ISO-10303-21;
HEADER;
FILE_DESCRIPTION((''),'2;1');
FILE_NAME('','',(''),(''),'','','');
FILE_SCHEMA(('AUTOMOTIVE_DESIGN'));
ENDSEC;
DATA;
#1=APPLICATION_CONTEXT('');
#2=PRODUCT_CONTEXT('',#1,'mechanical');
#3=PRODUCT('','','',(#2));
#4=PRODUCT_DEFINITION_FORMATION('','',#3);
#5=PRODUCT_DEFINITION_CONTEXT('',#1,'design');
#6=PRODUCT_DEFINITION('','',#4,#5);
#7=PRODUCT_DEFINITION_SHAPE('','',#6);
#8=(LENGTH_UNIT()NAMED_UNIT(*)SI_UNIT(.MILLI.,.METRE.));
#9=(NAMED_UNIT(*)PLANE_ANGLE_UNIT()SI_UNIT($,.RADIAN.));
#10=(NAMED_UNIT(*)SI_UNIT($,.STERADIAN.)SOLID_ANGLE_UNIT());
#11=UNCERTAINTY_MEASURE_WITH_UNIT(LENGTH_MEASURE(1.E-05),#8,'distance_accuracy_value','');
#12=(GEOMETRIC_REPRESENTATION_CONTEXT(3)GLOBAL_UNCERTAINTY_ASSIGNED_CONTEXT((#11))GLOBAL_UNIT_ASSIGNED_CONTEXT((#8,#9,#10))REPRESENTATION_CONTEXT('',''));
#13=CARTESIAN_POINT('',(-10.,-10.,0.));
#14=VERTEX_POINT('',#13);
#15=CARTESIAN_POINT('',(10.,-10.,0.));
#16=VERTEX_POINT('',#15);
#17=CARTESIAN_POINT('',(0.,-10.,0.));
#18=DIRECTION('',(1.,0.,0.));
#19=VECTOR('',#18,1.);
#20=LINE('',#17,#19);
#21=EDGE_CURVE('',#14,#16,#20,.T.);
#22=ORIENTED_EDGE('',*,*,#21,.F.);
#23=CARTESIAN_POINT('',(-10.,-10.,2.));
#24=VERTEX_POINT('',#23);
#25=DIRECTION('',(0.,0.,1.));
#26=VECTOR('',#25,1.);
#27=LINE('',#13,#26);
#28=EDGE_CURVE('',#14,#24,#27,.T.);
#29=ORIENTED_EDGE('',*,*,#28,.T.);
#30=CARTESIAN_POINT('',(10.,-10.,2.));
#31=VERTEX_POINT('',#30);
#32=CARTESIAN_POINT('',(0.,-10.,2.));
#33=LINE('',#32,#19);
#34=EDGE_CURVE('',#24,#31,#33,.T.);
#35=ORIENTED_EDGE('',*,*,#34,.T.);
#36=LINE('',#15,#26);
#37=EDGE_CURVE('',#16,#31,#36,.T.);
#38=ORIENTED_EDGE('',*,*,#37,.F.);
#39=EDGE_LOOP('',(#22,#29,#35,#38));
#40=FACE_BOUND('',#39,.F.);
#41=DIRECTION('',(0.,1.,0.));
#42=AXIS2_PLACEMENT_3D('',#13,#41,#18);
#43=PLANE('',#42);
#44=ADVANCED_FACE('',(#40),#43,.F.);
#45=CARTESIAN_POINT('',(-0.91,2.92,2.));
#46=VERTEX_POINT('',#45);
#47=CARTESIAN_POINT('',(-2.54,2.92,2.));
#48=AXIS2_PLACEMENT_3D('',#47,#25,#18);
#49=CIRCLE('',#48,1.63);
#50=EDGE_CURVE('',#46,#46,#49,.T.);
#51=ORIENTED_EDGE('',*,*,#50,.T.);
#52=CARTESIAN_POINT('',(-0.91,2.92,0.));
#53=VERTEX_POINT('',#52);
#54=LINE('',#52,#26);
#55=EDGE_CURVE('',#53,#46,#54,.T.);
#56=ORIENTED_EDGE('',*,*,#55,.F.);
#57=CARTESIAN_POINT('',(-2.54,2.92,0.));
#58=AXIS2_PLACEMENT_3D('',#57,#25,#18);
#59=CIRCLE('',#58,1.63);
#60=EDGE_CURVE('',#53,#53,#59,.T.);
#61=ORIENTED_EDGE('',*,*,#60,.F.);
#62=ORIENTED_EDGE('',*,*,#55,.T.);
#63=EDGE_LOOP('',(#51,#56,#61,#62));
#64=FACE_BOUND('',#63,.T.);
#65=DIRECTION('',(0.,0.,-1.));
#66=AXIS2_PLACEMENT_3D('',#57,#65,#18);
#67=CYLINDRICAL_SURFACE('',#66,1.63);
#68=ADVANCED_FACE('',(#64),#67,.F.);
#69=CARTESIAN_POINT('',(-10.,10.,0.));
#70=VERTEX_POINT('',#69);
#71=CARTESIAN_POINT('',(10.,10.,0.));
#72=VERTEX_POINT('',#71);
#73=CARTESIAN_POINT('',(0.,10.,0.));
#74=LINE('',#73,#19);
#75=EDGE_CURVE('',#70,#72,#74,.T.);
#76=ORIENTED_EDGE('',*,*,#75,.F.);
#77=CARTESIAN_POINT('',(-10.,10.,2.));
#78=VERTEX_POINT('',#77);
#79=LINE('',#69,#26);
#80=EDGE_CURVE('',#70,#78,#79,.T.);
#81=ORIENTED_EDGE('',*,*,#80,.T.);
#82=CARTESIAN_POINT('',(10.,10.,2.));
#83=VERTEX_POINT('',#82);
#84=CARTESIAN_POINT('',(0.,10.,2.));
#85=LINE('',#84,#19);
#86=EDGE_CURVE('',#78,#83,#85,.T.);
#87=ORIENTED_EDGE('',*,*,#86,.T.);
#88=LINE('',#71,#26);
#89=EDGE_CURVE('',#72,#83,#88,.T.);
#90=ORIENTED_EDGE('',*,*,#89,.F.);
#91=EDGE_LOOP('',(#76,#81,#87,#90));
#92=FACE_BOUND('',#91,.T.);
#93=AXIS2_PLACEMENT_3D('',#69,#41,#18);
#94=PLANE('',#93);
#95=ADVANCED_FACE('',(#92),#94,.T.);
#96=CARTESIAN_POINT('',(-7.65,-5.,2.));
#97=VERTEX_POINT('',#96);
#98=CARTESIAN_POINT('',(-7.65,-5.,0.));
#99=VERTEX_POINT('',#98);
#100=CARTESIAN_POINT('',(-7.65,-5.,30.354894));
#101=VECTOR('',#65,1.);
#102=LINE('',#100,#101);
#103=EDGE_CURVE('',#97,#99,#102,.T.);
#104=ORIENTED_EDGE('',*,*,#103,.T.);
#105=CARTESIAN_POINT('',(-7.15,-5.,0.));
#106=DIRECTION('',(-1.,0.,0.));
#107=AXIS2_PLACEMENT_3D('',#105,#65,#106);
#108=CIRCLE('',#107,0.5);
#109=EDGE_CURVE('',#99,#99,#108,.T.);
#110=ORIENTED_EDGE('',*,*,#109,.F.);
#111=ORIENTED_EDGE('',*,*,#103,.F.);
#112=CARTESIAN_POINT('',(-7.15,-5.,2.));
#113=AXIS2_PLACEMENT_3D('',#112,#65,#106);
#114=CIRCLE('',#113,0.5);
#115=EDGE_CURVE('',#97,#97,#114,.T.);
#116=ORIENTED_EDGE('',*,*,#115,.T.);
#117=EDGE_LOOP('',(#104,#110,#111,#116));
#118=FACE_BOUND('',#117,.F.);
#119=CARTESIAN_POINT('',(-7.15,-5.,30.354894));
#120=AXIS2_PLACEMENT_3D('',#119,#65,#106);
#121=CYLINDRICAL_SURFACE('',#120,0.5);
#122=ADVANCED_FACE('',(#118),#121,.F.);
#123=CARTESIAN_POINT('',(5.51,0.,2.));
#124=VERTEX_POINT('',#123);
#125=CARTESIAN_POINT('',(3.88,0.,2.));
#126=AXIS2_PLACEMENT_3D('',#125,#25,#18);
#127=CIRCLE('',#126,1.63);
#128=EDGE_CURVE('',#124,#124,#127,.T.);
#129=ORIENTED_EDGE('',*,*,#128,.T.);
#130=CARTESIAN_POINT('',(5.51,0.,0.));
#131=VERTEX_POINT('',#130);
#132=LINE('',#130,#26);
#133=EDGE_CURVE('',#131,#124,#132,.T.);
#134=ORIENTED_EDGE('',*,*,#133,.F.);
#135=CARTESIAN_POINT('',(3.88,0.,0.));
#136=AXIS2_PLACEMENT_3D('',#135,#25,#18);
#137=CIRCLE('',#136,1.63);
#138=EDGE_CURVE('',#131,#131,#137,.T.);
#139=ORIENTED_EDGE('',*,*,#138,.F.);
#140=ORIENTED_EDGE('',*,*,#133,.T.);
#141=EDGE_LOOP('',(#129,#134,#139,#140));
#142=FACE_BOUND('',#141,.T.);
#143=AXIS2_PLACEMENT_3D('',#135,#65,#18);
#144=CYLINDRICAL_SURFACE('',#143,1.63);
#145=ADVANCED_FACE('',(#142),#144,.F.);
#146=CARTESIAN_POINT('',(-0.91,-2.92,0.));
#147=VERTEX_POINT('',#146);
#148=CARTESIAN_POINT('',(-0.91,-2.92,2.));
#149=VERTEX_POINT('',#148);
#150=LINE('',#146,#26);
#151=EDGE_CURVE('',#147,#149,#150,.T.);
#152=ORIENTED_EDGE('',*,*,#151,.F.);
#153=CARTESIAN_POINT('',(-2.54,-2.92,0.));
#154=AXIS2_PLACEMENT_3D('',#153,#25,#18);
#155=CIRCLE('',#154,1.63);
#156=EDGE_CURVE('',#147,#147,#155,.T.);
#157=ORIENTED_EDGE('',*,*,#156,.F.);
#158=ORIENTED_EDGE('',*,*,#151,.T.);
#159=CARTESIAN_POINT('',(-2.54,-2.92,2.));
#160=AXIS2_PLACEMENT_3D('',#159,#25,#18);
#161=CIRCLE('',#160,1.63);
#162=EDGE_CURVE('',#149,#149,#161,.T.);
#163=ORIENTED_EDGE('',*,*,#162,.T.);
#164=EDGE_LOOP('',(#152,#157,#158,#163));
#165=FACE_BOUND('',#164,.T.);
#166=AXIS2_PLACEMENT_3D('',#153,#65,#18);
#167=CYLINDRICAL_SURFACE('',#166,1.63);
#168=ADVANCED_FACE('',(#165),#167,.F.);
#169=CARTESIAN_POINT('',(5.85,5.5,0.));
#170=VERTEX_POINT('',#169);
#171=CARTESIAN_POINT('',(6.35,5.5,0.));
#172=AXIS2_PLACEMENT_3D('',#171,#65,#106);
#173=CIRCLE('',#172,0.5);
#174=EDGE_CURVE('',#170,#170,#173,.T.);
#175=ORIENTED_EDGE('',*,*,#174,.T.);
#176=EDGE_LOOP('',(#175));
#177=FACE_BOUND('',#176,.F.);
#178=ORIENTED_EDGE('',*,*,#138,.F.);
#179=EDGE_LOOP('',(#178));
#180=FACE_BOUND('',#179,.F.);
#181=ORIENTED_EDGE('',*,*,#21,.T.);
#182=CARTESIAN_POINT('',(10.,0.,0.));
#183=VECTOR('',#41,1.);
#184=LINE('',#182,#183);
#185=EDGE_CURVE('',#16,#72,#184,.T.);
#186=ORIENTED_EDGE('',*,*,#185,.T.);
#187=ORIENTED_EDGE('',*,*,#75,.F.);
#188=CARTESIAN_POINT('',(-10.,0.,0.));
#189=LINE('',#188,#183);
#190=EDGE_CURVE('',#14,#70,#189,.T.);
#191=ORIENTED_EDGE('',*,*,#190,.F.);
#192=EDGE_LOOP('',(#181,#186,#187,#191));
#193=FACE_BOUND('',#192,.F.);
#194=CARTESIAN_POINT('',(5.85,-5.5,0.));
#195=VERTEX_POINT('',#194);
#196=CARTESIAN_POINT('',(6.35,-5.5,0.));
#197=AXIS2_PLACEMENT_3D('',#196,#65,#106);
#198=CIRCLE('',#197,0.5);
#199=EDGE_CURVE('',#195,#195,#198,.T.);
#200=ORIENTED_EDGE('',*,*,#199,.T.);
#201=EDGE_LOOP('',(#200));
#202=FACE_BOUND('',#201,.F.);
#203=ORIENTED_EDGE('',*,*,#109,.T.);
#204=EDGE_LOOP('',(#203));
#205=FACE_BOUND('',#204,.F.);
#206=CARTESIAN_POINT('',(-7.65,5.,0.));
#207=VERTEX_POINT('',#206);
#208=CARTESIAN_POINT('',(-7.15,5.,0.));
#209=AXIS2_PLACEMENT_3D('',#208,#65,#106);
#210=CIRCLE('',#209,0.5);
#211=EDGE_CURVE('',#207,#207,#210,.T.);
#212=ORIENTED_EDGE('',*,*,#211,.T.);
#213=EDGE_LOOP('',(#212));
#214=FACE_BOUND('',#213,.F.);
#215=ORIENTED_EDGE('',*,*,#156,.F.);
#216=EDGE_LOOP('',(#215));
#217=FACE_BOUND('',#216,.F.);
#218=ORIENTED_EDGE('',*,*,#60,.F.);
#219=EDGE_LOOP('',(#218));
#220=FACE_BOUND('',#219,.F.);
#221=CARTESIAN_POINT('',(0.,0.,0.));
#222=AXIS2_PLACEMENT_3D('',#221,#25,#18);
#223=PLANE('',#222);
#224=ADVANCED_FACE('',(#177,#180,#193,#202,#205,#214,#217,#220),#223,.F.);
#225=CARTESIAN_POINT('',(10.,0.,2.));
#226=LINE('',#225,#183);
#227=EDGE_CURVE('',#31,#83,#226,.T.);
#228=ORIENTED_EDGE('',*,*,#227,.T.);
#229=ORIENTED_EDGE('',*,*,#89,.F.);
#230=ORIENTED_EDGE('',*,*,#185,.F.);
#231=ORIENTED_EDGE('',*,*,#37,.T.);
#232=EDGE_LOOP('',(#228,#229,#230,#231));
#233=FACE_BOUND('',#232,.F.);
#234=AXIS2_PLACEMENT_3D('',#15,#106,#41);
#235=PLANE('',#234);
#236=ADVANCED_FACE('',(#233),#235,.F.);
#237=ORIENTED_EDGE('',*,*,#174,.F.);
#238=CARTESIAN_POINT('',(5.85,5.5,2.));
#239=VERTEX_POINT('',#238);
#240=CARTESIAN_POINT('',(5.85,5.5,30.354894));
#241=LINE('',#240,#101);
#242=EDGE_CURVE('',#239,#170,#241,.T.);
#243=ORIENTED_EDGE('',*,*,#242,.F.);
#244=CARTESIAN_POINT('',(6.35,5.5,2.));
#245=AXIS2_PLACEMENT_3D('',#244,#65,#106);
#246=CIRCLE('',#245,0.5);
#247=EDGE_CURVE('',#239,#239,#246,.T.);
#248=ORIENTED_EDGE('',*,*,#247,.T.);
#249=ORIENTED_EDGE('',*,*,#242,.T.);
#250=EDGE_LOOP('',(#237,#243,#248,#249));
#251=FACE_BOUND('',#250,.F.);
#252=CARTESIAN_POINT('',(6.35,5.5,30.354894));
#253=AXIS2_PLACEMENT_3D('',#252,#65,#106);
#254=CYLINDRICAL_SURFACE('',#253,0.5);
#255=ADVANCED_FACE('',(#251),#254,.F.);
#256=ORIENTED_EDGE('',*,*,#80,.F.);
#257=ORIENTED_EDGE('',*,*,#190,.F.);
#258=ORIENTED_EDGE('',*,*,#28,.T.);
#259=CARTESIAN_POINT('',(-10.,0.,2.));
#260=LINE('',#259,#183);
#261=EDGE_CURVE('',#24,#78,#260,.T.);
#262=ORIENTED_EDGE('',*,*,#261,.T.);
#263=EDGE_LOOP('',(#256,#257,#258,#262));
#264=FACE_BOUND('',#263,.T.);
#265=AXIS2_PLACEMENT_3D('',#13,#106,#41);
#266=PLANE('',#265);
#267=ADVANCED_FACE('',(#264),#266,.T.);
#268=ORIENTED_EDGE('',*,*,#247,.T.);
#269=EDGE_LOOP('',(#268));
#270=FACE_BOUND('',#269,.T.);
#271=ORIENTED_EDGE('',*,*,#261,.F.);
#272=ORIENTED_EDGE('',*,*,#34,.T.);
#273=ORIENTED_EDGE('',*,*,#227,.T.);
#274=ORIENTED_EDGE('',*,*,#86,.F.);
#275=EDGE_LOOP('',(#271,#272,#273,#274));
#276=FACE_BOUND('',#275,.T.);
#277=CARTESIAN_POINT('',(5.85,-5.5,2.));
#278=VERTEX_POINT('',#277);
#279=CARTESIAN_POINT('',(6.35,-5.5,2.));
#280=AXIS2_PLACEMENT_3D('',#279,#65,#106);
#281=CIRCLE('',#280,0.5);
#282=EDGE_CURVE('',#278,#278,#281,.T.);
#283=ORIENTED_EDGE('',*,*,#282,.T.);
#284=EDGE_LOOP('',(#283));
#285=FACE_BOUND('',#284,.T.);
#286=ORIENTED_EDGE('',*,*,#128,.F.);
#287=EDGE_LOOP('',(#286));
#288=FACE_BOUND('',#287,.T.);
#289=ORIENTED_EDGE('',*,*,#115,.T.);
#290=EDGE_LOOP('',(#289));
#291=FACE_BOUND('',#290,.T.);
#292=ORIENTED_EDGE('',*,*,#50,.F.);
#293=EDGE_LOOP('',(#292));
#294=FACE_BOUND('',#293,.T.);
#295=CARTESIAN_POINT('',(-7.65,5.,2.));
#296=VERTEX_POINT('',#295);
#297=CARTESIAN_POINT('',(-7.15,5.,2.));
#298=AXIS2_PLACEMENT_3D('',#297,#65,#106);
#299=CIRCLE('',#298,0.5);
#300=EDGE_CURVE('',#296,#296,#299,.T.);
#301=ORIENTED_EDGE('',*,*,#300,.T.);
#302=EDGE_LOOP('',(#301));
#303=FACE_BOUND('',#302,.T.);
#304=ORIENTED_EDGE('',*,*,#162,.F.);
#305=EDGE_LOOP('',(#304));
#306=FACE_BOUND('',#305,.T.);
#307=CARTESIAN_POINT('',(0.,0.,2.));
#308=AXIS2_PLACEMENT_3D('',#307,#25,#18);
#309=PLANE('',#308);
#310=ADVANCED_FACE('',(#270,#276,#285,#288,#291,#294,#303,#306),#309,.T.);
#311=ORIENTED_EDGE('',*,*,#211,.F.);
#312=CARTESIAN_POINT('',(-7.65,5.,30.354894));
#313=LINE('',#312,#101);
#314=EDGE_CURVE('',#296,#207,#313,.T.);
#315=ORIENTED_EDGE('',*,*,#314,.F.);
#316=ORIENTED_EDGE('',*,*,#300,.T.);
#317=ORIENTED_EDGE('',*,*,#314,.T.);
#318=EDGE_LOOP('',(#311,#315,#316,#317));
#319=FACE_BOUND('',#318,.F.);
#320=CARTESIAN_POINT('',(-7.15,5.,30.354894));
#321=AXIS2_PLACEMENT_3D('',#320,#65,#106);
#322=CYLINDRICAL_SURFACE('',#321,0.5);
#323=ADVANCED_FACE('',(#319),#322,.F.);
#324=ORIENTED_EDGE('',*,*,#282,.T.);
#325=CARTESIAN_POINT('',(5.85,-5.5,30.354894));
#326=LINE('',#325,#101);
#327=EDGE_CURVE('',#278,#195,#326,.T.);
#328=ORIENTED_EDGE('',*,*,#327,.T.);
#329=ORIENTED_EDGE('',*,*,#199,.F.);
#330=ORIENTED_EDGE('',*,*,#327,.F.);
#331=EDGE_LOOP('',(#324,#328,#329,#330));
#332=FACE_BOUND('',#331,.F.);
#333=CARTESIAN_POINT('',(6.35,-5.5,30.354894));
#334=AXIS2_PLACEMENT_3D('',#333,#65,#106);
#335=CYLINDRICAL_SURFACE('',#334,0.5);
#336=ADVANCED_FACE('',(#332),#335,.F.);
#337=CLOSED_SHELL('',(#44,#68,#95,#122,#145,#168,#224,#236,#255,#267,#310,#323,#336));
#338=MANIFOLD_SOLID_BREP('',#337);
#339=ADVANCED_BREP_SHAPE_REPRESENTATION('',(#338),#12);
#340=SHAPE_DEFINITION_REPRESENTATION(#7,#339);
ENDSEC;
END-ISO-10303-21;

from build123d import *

# Parameters (mm, degrees)
F0_W     = 20
F0_H     = 20
F0_R     = 1.63
F1_DEPTH = 2
F3_D     = 1


with BuildPart() as f1:
    # F0 (on Top) → F1 (new body)
    with BuildSketch(Plane.XY):
        Rectangle(F0_W, F0_H)
        with Locations((-2.54, -2.92)):
            Circle(F0_R, mode=Mode.SUBTRACT)
        with Locations((-2.54, 2.92)):
            Circle(F0_R, mode=Mode.SUBTRACT)
        with Locations((3.88, 0)):
            Circle(F0_R, mode=Mode.SUBTRACT)
    extrude(amount=F1_DEPTH)

    # F3 (through all)
    with Locations(Plane.XY.offset(2)):
        with Locations((6.35, 5.5), (6.35, -5.5), (-7.15, -5), (-7.15, 5)):
            Hole(F3_D / 2)


solid = f1.part
